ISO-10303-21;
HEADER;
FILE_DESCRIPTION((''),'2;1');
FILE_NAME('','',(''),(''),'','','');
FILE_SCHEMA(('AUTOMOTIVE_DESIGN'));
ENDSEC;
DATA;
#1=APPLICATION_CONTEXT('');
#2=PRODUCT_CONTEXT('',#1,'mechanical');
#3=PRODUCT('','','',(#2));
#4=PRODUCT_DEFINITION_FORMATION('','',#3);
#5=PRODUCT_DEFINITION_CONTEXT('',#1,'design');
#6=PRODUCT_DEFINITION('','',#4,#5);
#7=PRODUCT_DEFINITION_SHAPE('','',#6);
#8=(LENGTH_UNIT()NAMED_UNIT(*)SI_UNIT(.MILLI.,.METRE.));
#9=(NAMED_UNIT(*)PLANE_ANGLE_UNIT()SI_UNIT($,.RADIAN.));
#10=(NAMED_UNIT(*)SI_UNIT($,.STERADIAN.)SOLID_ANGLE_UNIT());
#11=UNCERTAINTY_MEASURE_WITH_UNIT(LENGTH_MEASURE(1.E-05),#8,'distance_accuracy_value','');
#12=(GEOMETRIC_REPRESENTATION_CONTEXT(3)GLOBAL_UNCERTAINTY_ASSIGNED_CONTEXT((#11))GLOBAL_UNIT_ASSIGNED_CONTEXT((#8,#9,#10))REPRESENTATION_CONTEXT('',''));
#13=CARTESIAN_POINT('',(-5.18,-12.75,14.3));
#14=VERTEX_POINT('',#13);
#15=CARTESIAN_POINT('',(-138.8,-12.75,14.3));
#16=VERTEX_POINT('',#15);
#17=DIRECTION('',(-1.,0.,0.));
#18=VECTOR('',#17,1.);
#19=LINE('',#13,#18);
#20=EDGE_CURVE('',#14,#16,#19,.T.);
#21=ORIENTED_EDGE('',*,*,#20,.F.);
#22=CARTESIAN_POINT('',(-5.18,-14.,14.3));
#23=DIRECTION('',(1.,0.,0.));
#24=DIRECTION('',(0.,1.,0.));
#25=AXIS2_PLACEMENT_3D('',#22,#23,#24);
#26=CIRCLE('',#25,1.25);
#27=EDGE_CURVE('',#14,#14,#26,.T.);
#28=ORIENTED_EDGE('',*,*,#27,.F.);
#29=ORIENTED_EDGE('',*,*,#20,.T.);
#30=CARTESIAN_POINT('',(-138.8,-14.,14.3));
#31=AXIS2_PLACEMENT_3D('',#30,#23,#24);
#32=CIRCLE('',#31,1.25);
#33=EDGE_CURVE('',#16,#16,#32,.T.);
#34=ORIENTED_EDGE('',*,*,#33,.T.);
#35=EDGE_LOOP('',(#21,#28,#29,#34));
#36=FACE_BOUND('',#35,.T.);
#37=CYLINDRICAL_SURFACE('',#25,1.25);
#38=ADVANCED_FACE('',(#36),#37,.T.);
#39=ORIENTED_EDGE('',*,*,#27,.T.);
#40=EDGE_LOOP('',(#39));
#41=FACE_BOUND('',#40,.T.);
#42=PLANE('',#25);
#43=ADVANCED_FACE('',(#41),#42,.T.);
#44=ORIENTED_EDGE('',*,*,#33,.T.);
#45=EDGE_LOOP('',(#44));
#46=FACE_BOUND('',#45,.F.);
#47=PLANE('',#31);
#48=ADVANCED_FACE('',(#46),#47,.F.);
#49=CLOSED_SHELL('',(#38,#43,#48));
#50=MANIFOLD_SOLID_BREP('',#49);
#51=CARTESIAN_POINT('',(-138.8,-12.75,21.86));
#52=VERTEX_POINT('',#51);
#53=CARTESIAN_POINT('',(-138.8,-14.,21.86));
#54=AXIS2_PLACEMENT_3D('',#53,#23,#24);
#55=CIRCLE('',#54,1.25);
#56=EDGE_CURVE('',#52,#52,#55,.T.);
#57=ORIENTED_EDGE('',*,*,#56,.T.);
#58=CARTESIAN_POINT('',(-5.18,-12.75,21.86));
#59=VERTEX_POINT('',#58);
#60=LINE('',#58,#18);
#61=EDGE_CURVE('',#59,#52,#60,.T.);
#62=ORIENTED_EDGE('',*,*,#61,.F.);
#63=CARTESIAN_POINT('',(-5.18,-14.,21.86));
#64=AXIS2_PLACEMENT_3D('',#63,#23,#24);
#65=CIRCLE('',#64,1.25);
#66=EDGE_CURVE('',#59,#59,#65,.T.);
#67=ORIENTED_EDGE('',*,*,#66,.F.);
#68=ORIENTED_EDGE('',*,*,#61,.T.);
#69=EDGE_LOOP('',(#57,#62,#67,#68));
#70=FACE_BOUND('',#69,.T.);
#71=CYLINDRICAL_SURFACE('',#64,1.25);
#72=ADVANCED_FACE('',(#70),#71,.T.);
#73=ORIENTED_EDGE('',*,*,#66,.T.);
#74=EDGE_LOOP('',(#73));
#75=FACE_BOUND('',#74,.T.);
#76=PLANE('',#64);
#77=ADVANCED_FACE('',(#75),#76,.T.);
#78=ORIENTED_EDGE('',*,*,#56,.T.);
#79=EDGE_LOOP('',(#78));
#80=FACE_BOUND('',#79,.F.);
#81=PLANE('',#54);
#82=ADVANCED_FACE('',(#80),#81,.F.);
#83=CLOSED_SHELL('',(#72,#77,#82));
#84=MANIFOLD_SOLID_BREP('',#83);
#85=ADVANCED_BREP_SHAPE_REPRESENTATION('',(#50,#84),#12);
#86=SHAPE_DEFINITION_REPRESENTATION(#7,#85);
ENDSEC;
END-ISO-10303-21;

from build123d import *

# Parameters (mm, degrees)
SKETCH032_R  = 1.25
PAD017_DEPTH = 133.62
SKETCH033_R  = 1.25
PAD018_DEPTH = 133.62


with BuildPart() as tigelaiton:
    # Sketch032 (on DatumPlane) → Pad017 (new body)
    with BuildSketch(Plane.YZ.offset(-5.18)):
        with Locations((-14, 14.3)):
            Circle(SKETCH032_R)
    extrude(amount=-PAD017_DEPTH)


with BuildPart() as tige2:
    # Sketch033 (on DatumPlane) → Pad018 (new body)
    with BuildSketch(Plane.YZ.offset(-5.18)):
        with Locations((-14, 21.86)):
            Circle(SKETCH033_R)
    extrude(amount=-PAD018_DEPTH)


solid = Compound([tigelaiton.part, tige2.part])
